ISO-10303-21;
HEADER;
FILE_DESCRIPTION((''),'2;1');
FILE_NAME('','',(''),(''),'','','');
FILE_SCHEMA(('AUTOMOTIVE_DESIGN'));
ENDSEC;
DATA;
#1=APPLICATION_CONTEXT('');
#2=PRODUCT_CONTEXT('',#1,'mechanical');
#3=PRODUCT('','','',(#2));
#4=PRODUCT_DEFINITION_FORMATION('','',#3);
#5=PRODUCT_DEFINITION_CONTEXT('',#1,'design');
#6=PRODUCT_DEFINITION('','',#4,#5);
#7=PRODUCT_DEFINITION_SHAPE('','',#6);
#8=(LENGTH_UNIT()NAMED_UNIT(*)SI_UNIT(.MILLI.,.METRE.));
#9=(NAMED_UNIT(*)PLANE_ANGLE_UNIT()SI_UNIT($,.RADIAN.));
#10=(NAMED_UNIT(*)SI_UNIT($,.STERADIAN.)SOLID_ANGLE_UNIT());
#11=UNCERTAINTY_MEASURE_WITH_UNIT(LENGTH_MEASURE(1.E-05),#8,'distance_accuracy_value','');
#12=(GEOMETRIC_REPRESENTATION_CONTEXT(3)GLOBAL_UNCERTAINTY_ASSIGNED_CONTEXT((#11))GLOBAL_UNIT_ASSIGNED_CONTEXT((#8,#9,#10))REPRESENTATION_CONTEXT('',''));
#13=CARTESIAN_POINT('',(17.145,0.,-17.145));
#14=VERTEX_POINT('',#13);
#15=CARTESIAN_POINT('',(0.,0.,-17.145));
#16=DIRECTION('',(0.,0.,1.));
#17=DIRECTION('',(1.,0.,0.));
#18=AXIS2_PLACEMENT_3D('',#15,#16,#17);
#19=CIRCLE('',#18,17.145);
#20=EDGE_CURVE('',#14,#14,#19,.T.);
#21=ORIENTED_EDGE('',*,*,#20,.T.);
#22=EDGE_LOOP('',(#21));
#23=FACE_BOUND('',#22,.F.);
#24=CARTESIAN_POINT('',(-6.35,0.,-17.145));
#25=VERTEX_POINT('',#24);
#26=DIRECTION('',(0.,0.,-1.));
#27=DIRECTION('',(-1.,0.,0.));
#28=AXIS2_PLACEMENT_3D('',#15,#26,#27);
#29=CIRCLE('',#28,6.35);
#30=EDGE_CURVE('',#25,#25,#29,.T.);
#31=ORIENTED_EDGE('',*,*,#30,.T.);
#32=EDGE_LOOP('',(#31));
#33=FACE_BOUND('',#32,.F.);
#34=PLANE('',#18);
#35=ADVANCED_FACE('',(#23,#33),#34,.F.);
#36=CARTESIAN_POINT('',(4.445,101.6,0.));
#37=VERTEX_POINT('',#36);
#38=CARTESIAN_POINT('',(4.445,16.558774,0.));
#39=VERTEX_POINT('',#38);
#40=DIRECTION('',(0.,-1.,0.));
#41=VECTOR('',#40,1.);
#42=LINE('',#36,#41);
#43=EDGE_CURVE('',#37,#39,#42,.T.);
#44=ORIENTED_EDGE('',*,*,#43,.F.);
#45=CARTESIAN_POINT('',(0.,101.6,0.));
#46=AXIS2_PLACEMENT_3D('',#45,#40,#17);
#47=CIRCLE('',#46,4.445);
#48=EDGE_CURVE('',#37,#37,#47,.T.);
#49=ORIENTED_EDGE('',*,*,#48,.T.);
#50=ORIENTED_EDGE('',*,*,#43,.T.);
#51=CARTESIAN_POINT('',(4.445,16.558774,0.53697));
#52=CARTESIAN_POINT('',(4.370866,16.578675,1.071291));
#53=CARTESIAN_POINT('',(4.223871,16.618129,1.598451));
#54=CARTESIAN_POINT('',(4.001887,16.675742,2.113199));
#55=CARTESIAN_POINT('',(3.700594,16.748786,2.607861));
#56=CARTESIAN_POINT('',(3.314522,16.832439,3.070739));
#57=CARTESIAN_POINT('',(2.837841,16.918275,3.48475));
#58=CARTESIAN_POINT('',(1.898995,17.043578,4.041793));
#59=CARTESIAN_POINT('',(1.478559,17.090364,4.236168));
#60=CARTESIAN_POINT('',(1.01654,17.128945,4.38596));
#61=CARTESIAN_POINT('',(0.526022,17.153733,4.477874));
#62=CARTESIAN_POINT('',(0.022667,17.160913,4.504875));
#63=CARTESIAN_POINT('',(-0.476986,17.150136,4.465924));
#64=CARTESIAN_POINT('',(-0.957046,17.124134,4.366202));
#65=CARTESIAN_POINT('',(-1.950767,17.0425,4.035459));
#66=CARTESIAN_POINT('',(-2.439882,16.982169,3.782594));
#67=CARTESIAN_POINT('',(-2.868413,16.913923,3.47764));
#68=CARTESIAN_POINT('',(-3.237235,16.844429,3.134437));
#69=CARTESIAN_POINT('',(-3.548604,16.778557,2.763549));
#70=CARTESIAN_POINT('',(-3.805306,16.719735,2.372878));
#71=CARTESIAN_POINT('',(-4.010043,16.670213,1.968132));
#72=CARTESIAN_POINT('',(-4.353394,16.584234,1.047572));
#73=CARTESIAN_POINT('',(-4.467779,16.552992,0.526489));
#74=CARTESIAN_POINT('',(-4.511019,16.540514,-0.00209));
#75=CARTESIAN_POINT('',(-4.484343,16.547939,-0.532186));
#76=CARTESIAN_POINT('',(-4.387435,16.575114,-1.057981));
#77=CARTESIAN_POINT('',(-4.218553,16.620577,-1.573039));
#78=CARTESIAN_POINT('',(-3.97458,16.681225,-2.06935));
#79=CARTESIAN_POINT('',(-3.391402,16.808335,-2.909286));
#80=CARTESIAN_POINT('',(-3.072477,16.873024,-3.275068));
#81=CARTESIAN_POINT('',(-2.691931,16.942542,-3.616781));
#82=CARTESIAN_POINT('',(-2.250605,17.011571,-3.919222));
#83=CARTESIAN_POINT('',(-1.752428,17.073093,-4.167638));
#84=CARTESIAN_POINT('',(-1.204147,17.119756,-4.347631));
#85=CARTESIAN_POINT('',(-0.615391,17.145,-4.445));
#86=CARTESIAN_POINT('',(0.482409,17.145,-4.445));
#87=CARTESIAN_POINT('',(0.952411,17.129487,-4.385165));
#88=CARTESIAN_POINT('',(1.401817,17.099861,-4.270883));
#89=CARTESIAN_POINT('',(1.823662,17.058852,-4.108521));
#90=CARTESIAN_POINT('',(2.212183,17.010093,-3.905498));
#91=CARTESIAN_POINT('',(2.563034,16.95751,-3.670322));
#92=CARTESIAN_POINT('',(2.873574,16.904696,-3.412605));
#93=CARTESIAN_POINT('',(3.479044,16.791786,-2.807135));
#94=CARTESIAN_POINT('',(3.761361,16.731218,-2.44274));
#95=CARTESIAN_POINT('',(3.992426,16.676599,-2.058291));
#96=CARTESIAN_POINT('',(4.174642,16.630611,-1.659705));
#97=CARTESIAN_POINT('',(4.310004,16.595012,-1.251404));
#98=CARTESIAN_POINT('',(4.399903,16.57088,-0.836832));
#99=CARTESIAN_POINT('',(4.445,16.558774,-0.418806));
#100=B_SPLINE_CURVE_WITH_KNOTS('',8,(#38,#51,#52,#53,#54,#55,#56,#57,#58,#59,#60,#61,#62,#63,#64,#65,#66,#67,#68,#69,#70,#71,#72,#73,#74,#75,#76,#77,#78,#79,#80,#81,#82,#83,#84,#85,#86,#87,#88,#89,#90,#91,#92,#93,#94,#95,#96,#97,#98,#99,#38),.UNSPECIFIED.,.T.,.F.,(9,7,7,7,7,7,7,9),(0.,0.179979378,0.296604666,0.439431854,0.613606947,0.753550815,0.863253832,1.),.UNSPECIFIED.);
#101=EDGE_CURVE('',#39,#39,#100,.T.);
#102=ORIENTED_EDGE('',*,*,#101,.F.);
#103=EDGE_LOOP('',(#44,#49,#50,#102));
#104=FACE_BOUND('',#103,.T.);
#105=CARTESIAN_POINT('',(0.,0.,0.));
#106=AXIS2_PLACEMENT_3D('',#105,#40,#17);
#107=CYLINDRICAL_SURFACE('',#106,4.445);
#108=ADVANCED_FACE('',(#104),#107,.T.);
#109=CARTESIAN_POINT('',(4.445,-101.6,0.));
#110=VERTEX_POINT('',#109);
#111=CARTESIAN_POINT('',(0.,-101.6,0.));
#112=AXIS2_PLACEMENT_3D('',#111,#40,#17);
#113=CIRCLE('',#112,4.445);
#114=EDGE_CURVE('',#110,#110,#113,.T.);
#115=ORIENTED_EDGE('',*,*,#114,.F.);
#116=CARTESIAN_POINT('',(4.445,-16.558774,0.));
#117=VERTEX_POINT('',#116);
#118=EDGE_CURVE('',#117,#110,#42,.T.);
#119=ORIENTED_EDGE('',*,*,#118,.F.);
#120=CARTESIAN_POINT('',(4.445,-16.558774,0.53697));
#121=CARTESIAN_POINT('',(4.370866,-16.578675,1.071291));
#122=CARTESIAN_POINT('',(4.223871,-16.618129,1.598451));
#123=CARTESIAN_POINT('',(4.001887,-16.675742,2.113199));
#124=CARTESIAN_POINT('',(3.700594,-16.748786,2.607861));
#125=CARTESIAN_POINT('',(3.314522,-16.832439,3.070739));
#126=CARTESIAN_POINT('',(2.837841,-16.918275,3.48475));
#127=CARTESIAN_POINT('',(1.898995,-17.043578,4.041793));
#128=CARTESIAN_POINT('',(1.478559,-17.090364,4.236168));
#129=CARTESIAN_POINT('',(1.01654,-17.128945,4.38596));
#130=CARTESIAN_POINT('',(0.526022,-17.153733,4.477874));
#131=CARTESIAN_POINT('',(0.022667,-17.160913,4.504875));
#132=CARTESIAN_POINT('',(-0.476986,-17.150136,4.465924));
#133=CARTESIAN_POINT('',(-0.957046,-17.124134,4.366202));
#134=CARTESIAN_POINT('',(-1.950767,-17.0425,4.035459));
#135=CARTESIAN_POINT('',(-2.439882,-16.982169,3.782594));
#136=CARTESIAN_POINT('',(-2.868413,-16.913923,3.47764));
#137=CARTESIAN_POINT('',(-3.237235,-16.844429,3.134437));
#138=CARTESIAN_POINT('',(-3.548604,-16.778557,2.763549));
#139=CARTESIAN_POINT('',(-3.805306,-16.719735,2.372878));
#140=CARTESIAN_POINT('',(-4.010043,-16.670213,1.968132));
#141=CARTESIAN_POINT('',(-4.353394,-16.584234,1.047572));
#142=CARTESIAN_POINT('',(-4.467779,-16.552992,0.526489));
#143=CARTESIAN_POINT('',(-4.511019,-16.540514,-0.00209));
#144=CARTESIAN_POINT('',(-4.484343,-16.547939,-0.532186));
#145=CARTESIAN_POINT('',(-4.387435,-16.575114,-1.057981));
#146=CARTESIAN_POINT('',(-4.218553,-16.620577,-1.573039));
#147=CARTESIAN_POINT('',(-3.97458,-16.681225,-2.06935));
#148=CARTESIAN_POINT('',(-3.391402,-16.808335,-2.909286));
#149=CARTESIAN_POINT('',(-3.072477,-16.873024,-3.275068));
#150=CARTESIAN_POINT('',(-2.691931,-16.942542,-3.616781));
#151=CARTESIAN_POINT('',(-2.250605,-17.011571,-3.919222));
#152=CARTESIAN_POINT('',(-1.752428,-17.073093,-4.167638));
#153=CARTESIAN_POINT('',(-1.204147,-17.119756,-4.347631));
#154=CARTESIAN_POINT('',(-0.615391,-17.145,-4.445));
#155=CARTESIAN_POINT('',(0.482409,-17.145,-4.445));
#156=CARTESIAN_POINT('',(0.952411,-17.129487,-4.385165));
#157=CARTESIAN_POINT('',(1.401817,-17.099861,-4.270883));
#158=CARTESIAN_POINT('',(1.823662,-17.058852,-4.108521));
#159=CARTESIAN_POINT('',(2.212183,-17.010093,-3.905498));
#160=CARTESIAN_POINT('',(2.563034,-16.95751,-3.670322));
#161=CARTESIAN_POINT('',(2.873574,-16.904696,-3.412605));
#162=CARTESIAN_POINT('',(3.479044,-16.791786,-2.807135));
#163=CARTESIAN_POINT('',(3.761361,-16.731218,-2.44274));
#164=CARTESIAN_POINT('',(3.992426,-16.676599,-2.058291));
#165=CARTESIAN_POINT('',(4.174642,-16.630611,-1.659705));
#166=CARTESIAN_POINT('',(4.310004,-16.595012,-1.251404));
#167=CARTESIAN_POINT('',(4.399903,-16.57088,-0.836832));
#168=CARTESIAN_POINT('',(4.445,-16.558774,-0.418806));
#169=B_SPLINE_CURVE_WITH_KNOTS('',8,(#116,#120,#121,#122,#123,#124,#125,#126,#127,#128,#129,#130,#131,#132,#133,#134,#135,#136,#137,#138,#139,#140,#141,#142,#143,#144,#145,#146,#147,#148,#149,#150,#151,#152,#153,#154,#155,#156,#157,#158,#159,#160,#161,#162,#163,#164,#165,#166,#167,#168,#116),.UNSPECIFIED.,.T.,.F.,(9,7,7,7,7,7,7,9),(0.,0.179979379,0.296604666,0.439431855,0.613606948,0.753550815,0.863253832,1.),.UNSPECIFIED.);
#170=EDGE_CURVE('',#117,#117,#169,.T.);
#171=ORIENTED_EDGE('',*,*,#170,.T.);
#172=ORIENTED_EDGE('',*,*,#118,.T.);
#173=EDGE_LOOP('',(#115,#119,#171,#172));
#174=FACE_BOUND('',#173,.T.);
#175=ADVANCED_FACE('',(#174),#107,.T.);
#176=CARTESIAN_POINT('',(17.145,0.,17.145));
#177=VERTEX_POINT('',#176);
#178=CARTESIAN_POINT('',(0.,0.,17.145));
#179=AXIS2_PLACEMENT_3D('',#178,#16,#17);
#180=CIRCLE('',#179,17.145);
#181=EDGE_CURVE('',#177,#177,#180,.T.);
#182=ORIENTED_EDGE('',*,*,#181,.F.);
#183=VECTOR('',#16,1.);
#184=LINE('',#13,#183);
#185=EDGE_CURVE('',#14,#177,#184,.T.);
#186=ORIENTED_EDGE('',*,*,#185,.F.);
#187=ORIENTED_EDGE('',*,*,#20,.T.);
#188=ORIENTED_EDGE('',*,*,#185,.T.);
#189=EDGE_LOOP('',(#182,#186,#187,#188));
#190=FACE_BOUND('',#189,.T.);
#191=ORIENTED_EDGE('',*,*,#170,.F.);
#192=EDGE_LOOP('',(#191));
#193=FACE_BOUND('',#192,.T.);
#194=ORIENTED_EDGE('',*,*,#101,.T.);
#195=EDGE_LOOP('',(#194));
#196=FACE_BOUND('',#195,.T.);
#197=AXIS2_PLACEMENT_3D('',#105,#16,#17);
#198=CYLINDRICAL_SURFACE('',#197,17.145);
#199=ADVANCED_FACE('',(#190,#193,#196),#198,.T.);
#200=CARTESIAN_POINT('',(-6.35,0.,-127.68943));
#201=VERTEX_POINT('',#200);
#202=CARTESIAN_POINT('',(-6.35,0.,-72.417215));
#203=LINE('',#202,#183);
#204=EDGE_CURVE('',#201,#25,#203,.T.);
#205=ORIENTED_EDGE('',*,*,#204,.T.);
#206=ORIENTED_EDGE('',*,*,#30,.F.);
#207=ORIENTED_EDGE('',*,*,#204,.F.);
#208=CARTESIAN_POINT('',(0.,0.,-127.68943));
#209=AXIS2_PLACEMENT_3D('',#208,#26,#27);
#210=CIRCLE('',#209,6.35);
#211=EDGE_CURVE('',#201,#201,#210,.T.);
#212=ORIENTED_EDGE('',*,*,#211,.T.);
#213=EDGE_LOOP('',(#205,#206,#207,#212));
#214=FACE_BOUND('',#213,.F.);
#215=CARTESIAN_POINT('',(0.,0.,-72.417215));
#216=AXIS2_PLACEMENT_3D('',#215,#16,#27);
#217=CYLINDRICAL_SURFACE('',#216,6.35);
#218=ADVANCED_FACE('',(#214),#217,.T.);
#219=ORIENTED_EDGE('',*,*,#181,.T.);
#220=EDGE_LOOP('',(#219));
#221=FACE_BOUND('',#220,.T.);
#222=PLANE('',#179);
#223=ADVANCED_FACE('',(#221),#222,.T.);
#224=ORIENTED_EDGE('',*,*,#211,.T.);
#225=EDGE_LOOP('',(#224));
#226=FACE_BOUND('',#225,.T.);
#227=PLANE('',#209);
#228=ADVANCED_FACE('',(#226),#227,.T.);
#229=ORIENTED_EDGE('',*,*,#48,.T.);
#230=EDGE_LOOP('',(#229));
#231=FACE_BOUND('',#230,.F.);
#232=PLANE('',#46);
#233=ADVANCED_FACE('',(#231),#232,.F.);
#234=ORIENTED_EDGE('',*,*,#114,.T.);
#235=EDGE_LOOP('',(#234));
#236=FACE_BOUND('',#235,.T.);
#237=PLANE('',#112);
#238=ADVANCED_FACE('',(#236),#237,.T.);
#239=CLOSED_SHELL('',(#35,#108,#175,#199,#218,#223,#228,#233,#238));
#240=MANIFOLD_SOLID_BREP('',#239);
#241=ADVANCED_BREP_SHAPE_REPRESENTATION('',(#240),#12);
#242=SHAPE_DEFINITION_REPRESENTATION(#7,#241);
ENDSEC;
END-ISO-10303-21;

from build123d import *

# Parameters (mm, degrees)
F0_R          = 17.145
F1_DEPTH      = 17.145
F2_W          = 6.35
F2_H          = 110.54443
F4_R          = 4.445
F5_DEPTH      = 17.146
F5_DEPTH_BACK = 25.4
F6_R          = 4.445
F7_DEPTH      = 101.6


with BuildPart() as f1:
    # F0 (on Top) → F1 (new body, symmetric)
    with BuildSketch(Plane.XY):
        Circle(F0_R)
    extrude(amount=F1_DEPTH, both=True)

    # F2 (on Front) → F3 (revolve)
    with BuildSketch(Plane.XZ):
        with Locations((-3.175, -72.417215)):
            Rectangle(F2_W, F2_H)
    revolve(axis=Axis((0, 0, -76.082058), (0, 0, -1)))

    # F4 (on Front) → F5 (cut, two sides)
    with BuildSketch(Plane.XZ) as f5_sk:
        Circle(F4_R)
    extrude(amount=-F5_DEPTH, mode=Mode.SUBTRACT)
    extrude(f5_sk.sketch, amount=-F5_DEPTH_BACK, mode=Mode.SUBTRACT)

    # F6 (on Front) → F7 (join, symmetric)
    with BuildSketch(Plane.XZ):
        Circle(F6_R)
    extrude(amount=F7_DEPTH, both=True)


solid = f1.part
